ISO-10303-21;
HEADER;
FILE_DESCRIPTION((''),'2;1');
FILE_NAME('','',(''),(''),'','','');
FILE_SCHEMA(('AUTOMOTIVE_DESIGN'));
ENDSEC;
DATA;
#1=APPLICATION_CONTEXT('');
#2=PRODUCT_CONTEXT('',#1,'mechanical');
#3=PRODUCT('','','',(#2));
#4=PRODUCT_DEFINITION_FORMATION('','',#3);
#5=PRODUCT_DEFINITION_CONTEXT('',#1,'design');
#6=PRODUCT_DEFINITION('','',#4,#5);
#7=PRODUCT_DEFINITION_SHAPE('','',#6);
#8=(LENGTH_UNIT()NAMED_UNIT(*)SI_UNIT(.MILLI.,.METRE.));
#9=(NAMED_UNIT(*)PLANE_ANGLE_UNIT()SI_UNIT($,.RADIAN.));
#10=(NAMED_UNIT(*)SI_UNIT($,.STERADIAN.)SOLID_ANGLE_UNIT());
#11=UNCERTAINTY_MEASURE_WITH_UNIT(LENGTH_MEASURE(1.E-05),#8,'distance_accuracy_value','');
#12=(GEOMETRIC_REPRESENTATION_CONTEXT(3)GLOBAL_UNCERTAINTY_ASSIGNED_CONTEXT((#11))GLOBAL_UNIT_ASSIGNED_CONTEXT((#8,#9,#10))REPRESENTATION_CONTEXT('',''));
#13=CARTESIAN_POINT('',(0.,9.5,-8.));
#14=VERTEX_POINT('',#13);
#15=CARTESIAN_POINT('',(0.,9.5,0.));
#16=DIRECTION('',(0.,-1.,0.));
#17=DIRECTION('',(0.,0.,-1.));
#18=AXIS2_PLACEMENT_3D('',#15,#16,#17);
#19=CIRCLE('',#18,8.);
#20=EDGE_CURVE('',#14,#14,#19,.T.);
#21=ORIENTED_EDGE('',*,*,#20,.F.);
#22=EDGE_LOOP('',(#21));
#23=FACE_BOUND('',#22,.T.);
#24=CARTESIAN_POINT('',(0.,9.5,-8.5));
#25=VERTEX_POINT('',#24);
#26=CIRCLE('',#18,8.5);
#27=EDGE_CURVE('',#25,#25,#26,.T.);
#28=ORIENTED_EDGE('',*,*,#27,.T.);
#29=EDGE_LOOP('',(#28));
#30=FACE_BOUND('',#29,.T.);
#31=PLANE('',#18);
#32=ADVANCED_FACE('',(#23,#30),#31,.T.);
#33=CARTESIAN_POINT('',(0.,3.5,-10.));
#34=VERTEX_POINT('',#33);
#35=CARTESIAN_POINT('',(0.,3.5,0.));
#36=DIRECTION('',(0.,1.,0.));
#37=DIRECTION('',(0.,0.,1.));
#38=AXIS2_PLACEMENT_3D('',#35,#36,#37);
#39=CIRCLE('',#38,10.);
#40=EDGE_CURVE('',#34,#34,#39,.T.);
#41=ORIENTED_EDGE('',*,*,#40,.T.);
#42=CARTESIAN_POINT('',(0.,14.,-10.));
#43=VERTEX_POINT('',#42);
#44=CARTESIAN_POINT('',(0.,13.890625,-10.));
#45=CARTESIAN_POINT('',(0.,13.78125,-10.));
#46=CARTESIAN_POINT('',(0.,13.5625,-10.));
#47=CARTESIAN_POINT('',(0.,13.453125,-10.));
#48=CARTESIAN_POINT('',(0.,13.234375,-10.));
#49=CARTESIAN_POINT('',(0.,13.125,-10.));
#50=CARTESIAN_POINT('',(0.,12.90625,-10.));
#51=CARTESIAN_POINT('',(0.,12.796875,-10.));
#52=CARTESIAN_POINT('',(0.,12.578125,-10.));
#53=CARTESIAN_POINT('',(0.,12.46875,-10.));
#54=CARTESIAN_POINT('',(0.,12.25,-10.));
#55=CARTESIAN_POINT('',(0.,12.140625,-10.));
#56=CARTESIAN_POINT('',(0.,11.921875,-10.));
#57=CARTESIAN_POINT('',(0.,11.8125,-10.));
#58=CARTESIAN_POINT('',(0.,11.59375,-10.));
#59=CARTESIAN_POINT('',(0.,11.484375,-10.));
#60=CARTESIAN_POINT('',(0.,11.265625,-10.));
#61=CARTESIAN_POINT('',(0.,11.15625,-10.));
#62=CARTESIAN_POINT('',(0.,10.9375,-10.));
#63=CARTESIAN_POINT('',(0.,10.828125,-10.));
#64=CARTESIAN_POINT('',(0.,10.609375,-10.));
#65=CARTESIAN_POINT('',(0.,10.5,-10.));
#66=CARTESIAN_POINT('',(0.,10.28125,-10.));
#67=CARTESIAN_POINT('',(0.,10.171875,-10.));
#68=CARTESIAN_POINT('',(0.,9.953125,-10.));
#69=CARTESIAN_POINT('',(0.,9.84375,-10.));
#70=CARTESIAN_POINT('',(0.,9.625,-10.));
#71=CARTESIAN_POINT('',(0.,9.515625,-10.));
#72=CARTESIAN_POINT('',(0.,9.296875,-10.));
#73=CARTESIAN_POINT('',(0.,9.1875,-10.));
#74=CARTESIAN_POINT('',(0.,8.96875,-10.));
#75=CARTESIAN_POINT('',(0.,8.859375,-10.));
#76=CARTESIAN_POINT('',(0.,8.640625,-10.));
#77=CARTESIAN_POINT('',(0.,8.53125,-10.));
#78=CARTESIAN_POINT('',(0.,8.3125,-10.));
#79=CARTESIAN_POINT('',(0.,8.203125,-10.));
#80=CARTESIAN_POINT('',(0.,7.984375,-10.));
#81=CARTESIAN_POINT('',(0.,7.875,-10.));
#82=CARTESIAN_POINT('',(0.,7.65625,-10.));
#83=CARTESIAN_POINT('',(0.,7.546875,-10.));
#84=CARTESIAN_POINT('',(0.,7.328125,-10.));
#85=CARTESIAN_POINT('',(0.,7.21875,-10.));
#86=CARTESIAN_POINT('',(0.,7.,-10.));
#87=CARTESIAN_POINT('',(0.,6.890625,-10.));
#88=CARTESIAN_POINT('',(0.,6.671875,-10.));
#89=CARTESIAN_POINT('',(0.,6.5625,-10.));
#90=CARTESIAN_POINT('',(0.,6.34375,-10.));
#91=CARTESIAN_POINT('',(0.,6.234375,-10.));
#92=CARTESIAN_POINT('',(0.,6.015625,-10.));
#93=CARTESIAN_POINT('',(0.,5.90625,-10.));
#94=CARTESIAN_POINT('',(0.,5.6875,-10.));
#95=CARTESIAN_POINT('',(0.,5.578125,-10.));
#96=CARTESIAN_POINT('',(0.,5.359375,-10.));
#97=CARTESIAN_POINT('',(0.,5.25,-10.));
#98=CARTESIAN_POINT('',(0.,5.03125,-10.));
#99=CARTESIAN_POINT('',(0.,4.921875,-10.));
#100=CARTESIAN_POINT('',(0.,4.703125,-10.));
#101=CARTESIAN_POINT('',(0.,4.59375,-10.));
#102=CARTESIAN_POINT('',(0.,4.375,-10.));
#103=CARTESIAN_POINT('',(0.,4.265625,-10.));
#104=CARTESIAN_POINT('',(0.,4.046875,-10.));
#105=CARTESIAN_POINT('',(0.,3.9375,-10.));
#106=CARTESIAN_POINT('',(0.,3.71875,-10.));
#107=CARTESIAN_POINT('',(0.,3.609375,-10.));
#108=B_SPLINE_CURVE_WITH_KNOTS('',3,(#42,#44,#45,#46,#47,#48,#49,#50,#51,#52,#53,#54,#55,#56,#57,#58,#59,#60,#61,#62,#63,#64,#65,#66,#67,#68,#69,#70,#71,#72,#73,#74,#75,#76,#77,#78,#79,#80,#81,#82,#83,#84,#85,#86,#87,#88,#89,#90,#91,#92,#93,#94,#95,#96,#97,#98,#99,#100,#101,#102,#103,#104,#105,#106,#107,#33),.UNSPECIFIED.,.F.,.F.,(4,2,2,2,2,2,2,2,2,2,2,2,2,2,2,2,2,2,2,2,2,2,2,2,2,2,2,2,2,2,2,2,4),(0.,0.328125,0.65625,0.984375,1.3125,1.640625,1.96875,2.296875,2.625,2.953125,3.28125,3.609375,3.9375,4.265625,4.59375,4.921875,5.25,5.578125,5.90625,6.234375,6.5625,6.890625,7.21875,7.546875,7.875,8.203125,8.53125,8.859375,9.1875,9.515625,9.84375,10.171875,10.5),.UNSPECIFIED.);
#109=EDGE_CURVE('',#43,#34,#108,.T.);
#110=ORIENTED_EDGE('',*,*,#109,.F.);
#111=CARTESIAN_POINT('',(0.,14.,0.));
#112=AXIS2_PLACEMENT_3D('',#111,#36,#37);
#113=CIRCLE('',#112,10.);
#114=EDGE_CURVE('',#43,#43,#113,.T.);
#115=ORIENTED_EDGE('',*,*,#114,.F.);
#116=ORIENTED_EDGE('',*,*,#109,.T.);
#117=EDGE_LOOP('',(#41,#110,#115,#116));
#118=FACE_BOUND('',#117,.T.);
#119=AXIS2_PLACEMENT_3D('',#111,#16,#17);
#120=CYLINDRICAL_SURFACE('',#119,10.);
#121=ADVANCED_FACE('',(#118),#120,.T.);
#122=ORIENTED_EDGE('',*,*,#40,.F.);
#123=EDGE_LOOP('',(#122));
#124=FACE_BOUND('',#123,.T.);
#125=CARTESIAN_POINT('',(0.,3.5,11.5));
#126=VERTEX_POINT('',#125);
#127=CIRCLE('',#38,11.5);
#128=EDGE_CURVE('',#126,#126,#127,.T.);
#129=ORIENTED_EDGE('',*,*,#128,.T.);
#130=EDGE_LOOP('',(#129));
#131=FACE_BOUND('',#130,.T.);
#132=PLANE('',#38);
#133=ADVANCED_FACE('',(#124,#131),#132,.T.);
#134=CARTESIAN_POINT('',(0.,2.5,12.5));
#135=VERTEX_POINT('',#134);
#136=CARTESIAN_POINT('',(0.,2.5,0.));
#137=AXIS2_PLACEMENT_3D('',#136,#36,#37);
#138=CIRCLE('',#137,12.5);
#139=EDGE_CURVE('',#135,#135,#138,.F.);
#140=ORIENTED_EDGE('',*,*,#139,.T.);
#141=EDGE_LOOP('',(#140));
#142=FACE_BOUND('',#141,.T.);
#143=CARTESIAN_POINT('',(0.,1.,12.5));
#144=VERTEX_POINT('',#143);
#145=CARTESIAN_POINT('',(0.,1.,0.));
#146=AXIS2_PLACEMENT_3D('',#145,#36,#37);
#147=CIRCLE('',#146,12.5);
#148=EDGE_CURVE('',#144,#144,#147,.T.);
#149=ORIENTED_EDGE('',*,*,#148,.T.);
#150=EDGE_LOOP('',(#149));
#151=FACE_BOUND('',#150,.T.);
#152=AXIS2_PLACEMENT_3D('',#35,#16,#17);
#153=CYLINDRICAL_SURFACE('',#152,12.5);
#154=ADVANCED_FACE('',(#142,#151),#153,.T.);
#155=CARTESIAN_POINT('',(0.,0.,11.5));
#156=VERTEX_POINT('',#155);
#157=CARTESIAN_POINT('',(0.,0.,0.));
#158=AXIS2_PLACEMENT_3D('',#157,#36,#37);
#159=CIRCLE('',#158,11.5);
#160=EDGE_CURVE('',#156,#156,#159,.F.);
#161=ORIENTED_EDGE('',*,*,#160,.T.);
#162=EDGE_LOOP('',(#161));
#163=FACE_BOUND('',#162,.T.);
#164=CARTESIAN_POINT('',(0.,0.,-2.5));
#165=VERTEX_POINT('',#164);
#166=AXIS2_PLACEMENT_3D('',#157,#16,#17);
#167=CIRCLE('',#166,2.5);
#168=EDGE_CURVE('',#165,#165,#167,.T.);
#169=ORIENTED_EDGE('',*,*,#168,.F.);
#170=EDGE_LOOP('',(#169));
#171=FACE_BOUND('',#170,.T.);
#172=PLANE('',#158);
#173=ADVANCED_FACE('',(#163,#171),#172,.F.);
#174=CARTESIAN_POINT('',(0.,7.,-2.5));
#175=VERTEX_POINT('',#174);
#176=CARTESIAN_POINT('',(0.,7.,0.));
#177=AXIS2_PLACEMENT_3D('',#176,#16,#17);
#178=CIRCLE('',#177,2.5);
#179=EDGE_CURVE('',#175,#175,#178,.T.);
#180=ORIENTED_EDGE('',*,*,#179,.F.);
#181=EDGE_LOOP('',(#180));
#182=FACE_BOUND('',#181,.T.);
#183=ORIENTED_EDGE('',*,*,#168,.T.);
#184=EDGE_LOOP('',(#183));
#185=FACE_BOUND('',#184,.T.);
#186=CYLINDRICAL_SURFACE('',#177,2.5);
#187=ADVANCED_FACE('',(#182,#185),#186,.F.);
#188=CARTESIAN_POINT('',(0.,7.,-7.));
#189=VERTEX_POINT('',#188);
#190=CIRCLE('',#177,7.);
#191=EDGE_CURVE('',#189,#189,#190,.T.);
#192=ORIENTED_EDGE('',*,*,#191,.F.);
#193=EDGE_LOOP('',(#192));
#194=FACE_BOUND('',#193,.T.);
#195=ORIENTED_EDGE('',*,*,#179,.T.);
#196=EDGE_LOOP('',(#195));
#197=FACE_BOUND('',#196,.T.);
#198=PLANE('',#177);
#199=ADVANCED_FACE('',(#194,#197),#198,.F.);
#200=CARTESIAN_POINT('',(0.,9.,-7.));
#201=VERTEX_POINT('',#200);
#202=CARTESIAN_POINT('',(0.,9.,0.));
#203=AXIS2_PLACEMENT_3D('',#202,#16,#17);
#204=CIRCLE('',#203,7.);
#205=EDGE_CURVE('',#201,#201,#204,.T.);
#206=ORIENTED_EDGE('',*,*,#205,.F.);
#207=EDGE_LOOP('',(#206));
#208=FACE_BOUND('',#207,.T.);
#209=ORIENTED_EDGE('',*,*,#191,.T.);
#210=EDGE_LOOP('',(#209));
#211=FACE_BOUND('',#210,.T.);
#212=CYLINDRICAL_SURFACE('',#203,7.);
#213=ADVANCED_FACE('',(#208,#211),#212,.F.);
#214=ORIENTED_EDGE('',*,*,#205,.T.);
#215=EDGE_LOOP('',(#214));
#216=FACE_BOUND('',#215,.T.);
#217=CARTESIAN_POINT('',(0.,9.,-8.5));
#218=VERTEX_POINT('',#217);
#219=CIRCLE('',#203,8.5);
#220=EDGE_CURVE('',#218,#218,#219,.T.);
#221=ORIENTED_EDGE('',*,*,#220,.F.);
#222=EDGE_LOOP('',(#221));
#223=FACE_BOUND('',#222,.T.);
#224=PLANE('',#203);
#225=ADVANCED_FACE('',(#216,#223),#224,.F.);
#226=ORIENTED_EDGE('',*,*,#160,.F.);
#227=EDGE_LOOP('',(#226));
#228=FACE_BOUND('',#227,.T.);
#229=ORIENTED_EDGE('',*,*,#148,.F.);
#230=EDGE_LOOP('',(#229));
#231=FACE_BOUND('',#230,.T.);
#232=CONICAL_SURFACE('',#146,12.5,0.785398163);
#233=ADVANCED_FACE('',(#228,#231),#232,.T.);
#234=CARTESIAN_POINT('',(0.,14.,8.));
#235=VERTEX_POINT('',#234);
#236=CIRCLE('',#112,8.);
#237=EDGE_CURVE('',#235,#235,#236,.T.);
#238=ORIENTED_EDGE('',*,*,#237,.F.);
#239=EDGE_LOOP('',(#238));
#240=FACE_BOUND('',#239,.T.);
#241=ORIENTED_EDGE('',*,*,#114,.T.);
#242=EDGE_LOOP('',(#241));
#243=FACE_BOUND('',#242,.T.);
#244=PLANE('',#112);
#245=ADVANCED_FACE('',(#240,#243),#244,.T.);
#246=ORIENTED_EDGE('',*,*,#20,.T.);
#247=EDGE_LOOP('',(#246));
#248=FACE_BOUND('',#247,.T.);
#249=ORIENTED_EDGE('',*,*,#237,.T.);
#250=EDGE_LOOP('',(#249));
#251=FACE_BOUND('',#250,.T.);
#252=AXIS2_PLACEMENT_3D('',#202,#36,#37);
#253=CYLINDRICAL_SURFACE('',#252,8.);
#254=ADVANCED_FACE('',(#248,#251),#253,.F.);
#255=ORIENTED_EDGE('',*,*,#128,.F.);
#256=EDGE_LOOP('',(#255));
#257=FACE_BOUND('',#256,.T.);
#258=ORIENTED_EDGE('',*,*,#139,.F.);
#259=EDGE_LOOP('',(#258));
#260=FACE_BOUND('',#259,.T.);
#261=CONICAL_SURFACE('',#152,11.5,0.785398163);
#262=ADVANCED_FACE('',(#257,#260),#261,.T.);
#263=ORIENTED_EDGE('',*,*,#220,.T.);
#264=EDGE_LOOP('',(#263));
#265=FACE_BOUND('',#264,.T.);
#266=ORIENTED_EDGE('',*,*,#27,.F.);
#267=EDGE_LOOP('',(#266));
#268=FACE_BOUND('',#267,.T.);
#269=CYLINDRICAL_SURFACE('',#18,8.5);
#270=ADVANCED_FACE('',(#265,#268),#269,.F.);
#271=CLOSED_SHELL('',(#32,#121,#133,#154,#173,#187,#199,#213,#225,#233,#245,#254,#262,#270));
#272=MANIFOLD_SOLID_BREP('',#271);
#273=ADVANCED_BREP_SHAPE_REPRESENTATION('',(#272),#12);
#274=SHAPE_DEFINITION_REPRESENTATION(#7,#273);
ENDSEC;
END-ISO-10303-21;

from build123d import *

# Parameters (mm, degrees)
ESQUISSE1_R             = 12.5
BOSS_EXTRU_1_DEPTH      = 3.5
ESQUISSE2_R             = 10
BOSS_EXTRU_2_DEPTH      = 10.5
ESQUISSE3_R             = 2.5
ENL_V_MAT_EXTRU_1_DEPTH = 7
ESQUISSE4_R             = 7
ENL_V_MAT_EXTRU_2_DEPTH = 2
ESQUISSE5_R             = 8.5
ENL_V_MAT_EXTRU_3_DEPTH = 0.5
ESQUISSE6_R             = 8
ENL_V_MAT_EXTRU_4_DEPTH = 5
CHANFREIN1_SIZE         = 1
CHANFREIN2_SIZE         = 1


with BuildPart() as part:
    # Esquisse1 → Boss.-Extru.1 (new body)
    with BuildSketch(Plane(origin=(0, 0, 0), x_dir=(1, 0, 0), z_dir=(0, 1, 0))):
        with Locations(Location((0, 0, 0), (0, 0, 270))):
            Circle(ESQUISSE1_R)
    extrude(amount=BOSS_EXTRU_1_DEPTH)

    # Esquisse2 → Boss.-Extru.2 (add)
    with BuildSketch(Plane(origin=(0, 3.5, 0), x_dir=(1, 0, 0), z_dir=(0, 1, 0))):
        with Locations(Location((0, 0, 0), (0, 0, 90))):
            Circle(ESQUISSE2_R)
    extrude(amount=BOSS_EXTRU_2_DEPTH)

    # Esquisse3 → Enlèv. mat.-Extru.1 (cut)
    with BuildSketch(Plane.XZ):
        with Locations(Location((0, 0, 0), (0, 0, 270))):
            Circle(ESQUISSE3_R)
    extrude(amount=-ENL_V_MAT_EXTRU_1_DEPTH, mode=Mode.SUBTRACT)

    # Esquisse4 → Enlèv. mat.-Extru.2 (cut)
    with BuildSketch(Plane.XZ.offset(-7)):
        with Locations(Location((0, 0, 0), (0, 0, 270))):
            Circle(ESQUISSE4_R)
    extrude(amount=-ENL_V_MAT_EXTRU_2_DEPTH, mode=Mode.SUBTRACT)

    # Esquisse5 → Enlèv. mat.-Extru.3 (cut)
    with BuildSketch(Plane.XZ.offset(-9)):
        with Locations(Location((0, 0, 0), (0, 0, 270))):
            Circle(ESQUISSE5_R)
    extrude(amount=-ENL_V_MAT_EXTRU_3_DEPTH, mode=Mode.SUBTRACT)

    # Esquisse6 → Enlèv. mat.-Extru.4 (cut)
    with BuildSketch(Plane(origin=(0, 14, 0), x_dir=(1, 0, 0), z_dir=(0, 1, 0))):
        with Locations(Location((0, 0, 0), (0, 0, 270))):
            Circle(ESQUISSE6_R)
    extrude(amount=-ENL_V_MAT_EXTRU_4_DEPTH, mode=Mode.SUBTRACT)

    # Chanfrein1
    chanfrein1_edges = [part.edges().sort_by_distance(p)[0] for p in [
        (0, 3.5, -12.5),
    ]]
    chamfer(chanfrein1_edges, length=CHANFREIN1_SIZE)

    # Chanfrein2
    chanfrein2_edges = [part.edges().sort_by_distance(p)[0] for p in [
        (0, 0, -12.5),
    ]]
    chamfer(chanfrein2_edges, length=CHANFREIN2_SIZE)


solid = part.part
